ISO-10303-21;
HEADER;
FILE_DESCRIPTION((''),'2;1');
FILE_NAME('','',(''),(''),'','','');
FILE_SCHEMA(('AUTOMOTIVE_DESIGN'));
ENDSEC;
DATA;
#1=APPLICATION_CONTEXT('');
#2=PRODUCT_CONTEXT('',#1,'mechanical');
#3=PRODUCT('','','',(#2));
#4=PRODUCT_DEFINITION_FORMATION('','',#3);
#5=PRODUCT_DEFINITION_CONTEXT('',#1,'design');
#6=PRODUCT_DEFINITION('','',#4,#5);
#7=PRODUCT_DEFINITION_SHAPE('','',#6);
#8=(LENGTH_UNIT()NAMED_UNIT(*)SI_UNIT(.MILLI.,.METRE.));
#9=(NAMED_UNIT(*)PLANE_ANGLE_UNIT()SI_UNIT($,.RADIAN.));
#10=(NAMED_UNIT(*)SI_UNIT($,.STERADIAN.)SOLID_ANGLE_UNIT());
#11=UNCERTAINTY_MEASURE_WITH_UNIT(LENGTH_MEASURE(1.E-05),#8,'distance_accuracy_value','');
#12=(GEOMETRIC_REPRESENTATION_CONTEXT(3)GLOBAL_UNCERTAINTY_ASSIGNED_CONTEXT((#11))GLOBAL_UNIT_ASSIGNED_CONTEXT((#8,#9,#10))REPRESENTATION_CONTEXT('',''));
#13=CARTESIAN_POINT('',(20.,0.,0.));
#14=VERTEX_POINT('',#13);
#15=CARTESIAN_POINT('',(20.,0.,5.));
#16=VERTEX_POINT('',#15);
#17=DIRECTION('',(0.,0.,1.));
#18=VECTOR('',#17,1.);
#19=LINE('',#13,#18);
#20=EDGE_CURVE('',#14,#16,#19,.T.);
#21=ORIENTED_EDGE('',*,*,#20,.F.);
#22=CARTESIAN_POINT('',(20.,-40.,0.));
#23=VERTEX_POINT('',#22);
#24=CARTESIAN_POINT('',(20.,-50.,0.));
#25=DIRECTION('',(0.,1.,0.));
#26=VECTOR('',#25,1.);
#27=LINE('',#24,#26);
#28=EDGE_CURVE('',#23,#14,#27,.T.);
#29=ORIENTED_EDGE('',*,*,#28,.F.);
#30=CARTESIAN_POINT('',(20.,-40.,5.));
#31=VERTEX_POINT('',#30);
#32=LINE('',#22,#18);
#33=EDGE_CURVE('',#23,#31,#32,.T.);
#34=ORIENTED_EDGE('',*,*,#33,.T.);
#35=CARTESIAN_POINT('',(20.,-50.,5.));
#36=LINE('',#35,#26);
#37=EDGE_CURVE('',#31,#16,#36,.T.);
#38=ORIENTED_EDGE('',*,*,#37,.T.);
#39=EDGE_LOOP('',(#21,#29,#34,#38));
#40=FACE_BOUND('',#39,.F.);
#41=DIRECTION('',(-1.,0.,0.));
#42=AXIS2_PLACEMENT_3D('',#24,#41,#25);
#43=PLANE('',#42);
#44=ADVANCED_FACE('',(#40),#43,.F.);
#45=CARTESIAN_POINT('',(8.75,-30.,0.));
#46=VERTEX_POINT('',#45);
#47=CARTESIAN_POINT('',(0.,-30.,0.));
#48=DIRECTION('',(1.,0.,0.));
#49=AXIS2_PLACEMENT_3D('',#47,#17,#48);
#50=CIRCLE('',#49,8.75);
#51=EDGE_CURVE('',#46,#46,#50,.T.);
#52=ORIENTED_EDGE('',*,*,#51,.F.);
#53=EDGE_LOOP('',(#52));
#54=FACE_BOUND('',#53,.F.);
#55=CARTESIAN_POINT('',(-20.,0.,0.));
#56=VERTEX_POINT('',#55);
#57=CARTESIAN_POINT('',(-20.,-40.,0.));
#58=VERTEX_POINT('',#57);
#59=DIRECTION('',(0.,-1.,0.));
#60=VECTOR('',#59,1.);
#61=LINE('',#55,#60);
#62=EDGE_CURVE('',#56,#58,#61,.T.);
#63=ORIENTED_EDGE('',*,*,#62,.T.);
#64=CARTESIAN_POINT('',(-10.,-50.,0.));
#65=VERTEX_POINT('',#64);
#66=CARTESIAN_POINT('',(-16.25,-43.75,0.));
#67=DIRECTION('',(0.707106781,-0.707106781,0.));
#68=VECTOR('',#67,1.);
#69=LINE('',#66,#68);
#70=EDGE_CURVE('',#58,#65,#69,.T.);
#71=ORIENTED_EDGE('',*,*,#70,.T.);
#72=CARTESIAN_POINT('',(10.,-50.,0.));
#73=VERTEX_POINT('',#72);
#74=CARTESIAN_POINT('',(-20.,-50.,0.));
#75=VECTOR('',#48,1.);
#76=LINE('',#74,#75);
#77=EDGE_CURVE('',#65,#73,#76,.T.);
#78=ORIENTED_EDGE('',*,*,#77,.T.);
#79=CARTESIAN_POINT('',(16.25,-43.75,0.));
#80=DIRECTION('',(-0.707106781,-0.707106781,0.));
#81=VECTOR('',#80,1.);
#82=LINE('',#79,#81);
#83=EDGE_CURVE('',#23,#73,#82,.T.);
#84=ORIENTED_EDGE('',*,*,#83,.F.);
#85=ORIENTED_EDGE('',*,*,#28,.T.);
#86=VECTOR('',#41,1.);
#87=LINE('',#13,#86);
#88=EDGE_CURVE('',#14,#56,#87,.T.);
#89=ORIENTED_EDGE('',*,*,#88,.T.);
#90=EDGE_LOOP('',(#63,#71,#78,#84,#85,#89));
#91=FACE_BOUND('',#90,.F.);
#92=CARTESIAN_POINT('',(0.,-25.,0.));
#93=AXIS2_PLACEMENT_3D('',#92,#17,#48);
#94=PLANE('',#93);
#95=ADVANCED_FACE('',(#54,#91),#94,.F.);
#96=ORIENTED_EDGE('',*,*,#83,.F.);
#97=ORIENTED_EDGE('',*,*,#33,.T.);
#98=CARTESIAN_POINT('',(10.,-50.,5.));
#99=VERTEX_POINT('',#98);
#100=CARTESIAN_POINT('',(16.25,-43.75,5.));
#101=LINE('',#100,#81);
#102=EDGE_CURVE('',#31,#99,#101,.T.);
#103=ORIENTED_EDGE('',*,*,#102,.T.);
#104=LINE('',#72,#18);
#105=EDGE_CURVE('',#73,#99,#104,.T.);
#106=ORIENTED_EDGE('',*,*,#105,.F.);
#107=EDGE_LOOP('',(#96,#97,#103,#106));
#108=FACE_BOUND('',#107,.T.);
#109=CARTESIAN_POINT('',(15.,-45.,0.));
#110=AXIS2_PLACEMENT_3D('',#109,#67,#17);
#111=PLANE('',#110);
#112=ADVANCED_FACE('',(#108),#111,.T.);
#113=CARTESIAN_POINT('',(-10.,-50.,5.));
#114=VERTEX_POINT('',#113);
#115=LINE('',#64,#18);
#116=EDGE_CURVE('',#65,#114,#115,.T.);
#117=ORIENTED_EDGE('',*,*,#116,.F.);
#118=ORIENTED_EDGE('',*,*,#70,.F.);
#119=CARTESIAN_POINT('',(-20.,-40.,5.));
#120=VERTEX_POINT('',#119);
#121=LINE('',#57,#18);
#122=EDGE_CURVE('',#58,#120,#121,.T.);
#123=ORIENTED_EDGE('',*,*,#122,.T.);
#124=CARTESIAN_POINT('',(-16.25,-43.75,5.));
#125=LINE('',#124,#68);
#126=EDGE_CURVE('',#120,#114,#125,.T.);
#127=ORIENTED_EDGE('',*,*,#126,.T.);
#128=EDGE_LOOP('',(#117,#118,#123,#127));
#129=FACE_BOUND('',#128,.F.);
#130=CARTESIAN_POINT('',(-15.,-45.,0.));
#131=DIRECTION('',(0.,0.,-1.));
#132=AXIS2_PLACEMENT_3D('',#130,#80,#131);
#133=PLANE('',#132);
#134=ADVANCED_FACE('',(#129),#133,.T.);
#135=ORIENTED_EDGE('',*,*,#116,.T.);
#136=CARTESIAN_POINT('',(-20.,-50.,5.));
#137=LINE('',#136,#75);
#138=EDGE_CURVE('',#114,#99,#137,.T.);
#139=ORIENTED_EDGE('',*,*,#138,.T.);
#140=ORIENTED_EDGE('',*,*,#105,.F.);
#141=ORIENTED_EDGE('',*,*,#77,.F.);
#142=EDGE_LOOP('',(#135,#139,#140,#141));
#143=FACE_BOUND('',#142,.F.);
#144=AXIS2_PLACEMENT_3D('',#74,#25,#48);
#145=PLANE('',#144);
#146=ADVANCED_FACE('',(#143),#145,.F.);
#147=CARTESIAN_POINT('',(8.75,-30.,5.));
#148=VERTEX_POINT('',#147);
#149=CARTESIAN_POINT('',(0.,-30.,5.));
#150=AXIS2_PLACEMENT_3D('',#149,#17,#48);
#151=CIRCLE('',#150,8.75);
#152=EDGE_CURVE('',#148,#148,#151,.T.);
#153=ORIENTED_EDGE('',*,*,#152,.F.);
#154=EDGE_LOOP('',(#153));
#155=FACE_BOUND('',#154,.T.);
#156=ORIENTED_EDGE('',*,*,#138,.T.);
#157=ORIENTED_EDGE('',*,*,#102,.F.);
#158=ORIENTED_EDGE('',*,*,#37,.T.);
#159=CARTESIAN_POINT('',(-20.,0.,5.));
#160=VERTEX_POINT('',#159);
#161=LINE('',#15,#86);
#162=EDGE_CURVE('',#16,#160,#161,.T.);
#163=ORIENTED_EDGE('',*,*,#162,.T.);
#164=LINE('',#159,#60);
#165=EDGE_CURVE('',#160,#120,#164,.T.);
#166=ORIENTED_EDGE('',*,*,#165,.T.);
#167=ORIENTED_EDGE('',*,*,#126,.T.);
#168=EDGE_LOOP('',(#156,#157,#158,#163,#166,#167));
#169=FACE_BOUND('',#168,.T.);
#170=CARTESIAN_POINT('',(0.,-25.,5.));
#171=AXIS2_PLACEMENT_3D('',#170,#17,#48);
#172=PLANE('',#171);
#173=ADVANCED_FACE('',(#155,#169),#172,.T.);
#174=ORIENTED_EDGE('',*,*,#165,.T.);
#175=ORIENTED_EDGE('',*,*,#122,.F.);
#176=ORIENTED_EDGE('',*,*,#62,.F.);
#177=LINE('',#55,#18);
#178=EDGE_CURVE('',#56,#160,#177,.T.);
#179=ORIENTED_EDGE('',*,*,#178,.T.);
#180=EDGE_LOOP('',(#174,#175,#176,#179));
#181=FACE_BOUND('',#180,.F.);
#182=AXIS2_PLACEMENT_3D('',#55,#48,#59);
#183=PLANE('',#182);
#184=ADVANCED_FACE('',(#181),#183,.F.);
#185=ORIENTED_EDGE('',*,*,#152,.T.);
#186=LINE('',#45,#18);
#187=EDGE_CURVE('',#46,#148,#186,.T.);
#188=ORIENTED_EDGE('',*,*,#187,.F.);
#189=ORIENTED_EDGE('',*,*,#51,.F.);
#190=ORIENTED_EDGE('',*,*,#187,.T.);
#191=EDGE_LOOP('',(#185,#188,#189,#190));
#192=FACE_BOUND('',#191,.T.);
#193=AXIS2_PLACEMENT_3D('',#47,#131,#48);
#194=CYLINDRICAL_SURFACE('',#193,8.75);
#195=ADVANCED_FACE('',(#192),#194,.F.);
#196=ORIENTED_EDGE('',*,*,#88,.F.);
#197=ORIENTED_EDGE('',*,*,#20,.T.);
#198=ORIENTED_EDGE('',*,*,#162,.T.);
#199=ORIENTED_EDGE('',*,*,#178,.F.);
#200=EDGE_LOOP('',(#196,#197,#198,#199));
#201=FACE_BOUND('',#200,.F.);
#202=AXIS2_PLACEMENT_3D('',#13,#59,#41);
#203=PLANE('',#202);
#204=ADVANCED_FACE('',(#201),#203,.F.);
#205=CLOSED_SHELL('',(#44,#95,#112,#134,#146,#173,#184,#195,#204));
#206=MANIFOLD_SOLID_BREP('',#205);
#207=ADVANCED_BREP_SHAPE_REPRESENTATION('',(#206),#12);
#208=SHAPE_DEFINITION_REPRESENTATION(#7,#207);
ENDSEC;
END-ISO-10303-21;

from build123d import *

# Parameters (mm, degrees)
F0_R     = 8.75
F1_DEPTH = 5
F2_SIZE  = 10


with BuildPart() as f1:
    # F0 (on Top) → F1 (new body)
    with BuildSketch(Plane.XY):
        Polygon((20, 0), (0, 0), (-20, 0), (-20, -50), (20, -50), align=None)
        with Locations((0, -30)):
            Circle(F0_R, mode=Mode.SUBTRACT)
    extrude(amount=F1_DEPTH)

    # F2
    f2_edges = [f1.edges().sort_by_distance(p)[0] for p in [
        (-20, -50, 2.5),
        (20, -50, 2.5),
    ]]
    chamfer(f2_edges, length=F2_SIZE)


solid = f1.part
